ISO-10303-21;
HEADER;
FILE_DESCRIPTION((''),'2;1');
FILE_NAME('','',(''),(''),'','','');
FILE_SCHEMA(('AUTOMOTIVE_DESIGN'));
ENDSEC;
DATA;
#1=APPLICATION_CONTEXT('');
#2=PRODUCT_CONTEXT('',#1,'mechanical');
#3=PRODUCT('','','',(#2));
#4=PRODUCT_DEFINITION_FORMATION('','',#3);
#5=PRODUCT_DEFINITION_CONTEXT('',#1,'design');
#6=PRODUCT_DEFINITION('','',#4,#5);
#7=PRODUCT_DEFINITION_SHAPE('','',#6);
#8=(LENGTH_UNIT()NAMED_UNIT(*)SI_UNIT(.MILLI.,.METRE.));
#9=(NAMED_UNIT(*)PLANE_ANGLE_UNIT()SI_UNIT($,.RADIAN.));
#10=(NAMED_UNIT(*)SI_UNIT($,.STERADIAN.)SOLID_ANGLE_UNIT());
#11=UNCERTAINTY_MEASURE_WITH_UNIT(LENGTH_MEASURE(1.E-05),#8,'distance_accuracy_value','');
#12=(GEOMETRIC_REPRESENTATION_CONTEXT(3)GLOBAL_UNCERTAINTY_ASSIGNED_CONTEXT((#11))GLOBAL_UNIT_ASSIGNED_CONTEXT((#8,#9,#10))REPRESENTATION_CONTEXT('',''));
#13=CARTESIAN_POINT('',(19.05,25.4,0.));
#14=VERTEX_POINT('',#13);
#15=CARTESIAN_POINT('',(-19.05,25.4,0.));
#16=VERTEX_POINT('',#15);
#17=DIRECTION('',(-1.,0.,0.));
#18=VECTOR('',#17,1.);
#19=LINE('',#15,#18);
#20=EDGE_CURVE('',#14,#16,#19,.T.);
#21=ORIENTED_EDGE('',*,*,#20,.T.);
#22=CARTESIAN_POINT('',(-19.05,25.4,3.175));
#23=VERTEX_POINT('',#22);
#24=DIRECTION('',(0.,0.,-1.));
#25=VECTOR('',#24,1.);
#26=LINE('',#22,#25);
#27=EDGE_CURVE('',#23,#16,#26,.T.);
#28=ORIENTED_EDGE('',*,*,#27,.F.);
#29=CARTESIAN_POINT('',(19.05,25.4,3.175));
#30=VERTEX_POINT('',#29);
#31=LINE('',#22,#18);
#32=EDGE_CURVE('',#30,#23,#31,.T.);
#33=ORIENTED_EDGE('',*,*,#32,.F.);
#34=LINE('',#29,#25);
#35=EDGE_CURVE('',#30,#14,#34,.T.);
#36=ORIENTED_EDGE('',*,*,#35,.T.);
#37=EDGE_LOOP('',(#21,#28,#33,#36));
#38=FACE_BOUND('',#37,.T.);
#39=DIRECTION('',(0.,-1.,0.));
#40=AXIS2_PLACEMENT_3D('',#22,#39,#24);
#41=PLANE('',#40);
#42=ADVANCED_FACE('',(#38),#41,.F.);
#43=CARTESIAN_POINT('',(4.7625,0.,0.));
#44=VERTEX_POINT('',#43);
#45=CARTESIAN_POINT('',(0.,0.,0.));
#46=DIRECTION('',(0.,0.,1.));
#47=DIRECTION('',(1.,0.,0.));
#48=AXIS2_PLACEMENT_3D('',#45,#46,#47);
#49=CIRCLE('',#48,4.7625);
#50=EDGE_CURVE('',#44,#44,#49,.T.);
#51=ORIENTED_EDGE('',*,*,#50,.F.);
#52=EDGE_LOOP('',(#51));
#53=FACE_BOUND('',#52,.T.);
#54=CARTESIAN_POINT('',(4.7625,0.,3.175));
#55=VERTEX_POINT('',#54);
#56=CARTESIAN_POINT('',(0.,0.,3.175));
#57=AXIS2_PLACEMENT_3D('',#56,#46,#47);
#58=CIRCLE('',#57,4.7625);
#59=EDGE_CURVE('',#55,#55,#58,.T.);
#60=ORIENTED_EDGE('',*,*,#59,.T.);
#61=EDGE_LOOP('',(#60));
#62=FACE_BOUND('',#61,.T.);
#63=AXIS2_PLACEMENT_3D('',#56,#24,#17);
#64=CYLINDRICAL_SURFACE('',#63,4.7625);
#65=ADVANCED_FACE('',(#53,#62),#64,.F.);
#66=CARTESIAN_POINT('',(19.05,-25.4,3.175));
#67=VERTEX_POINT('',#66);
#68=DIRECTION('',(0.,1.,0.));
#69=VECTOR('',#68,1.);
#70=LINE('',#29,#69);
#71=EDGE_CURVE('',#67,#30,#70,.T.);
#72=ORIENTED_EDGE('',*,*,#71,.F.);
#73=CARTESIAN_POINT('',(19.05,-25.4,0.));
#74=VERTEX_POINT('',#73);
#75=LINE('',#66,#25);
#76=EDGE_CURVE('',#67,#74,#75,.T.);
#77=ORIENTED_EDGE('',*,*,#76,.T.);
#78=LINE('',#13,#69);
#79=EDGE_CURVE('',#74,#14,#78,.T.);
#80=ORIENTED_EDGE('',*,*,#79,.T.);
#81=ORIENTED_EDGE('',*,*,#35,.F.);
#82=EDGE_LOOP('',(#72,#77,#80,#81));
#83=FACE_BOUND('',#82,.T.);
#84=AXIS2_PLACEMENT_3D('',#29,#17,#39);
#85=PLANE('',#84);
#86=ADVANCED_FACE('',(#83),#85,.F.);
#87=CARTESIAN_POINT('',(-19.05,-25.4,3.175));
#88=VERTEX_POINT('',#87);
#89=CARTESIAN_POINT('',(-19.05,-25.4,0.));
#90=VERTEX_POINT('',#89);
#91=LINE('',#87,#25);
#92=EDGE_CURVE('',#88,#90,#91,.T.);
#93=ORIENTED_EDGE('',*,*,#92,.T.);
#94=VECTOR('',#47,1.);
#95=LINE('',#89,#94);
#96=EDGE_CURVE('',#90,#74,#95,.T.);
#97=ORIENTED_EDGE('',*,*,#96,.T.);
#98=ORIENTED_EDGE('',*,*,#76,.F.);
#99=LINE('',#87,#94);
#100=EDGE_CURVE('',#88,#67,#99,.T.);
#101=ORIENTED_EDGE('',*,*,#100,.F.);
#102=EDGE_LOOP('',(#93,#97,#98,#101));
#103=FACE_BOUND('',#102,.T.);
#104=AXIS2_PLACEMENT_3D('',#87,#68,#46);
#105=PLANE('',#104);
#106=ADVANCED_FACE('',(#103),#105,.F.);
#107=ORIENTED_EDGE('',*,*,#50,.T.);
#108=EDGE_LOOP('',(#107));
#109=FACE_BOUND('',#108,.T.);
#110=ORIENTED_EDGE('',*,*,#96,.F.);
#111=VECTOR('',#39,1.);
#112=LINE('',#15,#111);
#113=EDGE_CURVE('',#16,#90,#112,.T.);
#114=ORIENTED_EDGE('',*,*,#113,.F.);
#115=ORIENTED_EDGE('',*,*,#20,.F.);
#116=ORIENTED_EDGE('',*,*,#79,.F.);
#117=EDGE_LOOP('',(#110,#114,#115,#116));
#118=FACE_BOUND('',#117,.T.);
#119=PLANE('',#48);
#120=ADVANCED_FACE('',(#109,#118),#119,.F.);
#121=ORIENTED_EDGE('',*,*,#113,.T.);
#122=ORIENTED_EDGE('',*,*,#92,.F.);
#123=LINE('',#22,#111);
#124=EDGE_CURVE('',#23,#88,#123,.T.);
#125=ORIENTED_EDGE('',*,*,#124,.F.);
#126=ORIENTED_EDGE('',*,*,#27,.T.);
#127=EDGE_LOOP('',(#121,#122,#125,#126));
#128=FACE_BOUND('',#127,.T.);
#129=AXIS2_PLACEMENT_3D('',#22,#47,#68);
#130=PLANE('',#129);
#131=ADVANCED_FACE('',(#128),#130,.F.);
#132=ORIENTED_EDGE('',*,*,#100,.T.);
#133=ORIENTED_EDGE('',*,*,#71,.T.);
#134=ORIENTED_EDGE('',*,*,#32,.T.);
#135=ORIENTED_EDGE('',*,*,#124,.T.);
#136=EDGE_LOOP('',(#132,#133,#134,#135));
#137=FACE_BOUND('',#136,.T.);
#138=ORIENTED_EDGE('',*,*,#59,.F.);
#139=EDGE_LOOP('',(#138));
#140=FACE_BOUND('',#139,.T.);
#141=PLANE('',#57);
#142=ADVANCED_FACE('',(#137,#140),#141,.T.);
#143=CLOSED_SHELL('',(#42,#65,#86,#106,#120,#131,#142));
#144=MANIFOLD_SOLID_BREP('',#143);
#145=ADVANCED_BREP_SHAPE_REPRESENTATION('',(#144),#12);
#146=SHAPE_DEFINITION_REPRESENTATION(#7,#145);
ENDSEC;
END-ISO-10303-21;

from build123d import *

# Parameters (mm, degrees)
SKETCH1_W           = 38.1
SKETCH1_H           = 50.8
SKETCH1_R           = 4.7625
BOSS_EXTRUDE1_DEPTH = 3.175


with BuildPart() as part:
    # Sketch1 → Boss-Extrude1 (new body)
    with BuildSketch(Plane.XY):
        Rectangle(SKETCH1_W, SKETCH1_H)
        Circle(SKETCH1_R, mode=Mode.SUBTRACT)
    extrude(amount=BOSS_EXTRUDE1_DEPTH)


solid = part.part
